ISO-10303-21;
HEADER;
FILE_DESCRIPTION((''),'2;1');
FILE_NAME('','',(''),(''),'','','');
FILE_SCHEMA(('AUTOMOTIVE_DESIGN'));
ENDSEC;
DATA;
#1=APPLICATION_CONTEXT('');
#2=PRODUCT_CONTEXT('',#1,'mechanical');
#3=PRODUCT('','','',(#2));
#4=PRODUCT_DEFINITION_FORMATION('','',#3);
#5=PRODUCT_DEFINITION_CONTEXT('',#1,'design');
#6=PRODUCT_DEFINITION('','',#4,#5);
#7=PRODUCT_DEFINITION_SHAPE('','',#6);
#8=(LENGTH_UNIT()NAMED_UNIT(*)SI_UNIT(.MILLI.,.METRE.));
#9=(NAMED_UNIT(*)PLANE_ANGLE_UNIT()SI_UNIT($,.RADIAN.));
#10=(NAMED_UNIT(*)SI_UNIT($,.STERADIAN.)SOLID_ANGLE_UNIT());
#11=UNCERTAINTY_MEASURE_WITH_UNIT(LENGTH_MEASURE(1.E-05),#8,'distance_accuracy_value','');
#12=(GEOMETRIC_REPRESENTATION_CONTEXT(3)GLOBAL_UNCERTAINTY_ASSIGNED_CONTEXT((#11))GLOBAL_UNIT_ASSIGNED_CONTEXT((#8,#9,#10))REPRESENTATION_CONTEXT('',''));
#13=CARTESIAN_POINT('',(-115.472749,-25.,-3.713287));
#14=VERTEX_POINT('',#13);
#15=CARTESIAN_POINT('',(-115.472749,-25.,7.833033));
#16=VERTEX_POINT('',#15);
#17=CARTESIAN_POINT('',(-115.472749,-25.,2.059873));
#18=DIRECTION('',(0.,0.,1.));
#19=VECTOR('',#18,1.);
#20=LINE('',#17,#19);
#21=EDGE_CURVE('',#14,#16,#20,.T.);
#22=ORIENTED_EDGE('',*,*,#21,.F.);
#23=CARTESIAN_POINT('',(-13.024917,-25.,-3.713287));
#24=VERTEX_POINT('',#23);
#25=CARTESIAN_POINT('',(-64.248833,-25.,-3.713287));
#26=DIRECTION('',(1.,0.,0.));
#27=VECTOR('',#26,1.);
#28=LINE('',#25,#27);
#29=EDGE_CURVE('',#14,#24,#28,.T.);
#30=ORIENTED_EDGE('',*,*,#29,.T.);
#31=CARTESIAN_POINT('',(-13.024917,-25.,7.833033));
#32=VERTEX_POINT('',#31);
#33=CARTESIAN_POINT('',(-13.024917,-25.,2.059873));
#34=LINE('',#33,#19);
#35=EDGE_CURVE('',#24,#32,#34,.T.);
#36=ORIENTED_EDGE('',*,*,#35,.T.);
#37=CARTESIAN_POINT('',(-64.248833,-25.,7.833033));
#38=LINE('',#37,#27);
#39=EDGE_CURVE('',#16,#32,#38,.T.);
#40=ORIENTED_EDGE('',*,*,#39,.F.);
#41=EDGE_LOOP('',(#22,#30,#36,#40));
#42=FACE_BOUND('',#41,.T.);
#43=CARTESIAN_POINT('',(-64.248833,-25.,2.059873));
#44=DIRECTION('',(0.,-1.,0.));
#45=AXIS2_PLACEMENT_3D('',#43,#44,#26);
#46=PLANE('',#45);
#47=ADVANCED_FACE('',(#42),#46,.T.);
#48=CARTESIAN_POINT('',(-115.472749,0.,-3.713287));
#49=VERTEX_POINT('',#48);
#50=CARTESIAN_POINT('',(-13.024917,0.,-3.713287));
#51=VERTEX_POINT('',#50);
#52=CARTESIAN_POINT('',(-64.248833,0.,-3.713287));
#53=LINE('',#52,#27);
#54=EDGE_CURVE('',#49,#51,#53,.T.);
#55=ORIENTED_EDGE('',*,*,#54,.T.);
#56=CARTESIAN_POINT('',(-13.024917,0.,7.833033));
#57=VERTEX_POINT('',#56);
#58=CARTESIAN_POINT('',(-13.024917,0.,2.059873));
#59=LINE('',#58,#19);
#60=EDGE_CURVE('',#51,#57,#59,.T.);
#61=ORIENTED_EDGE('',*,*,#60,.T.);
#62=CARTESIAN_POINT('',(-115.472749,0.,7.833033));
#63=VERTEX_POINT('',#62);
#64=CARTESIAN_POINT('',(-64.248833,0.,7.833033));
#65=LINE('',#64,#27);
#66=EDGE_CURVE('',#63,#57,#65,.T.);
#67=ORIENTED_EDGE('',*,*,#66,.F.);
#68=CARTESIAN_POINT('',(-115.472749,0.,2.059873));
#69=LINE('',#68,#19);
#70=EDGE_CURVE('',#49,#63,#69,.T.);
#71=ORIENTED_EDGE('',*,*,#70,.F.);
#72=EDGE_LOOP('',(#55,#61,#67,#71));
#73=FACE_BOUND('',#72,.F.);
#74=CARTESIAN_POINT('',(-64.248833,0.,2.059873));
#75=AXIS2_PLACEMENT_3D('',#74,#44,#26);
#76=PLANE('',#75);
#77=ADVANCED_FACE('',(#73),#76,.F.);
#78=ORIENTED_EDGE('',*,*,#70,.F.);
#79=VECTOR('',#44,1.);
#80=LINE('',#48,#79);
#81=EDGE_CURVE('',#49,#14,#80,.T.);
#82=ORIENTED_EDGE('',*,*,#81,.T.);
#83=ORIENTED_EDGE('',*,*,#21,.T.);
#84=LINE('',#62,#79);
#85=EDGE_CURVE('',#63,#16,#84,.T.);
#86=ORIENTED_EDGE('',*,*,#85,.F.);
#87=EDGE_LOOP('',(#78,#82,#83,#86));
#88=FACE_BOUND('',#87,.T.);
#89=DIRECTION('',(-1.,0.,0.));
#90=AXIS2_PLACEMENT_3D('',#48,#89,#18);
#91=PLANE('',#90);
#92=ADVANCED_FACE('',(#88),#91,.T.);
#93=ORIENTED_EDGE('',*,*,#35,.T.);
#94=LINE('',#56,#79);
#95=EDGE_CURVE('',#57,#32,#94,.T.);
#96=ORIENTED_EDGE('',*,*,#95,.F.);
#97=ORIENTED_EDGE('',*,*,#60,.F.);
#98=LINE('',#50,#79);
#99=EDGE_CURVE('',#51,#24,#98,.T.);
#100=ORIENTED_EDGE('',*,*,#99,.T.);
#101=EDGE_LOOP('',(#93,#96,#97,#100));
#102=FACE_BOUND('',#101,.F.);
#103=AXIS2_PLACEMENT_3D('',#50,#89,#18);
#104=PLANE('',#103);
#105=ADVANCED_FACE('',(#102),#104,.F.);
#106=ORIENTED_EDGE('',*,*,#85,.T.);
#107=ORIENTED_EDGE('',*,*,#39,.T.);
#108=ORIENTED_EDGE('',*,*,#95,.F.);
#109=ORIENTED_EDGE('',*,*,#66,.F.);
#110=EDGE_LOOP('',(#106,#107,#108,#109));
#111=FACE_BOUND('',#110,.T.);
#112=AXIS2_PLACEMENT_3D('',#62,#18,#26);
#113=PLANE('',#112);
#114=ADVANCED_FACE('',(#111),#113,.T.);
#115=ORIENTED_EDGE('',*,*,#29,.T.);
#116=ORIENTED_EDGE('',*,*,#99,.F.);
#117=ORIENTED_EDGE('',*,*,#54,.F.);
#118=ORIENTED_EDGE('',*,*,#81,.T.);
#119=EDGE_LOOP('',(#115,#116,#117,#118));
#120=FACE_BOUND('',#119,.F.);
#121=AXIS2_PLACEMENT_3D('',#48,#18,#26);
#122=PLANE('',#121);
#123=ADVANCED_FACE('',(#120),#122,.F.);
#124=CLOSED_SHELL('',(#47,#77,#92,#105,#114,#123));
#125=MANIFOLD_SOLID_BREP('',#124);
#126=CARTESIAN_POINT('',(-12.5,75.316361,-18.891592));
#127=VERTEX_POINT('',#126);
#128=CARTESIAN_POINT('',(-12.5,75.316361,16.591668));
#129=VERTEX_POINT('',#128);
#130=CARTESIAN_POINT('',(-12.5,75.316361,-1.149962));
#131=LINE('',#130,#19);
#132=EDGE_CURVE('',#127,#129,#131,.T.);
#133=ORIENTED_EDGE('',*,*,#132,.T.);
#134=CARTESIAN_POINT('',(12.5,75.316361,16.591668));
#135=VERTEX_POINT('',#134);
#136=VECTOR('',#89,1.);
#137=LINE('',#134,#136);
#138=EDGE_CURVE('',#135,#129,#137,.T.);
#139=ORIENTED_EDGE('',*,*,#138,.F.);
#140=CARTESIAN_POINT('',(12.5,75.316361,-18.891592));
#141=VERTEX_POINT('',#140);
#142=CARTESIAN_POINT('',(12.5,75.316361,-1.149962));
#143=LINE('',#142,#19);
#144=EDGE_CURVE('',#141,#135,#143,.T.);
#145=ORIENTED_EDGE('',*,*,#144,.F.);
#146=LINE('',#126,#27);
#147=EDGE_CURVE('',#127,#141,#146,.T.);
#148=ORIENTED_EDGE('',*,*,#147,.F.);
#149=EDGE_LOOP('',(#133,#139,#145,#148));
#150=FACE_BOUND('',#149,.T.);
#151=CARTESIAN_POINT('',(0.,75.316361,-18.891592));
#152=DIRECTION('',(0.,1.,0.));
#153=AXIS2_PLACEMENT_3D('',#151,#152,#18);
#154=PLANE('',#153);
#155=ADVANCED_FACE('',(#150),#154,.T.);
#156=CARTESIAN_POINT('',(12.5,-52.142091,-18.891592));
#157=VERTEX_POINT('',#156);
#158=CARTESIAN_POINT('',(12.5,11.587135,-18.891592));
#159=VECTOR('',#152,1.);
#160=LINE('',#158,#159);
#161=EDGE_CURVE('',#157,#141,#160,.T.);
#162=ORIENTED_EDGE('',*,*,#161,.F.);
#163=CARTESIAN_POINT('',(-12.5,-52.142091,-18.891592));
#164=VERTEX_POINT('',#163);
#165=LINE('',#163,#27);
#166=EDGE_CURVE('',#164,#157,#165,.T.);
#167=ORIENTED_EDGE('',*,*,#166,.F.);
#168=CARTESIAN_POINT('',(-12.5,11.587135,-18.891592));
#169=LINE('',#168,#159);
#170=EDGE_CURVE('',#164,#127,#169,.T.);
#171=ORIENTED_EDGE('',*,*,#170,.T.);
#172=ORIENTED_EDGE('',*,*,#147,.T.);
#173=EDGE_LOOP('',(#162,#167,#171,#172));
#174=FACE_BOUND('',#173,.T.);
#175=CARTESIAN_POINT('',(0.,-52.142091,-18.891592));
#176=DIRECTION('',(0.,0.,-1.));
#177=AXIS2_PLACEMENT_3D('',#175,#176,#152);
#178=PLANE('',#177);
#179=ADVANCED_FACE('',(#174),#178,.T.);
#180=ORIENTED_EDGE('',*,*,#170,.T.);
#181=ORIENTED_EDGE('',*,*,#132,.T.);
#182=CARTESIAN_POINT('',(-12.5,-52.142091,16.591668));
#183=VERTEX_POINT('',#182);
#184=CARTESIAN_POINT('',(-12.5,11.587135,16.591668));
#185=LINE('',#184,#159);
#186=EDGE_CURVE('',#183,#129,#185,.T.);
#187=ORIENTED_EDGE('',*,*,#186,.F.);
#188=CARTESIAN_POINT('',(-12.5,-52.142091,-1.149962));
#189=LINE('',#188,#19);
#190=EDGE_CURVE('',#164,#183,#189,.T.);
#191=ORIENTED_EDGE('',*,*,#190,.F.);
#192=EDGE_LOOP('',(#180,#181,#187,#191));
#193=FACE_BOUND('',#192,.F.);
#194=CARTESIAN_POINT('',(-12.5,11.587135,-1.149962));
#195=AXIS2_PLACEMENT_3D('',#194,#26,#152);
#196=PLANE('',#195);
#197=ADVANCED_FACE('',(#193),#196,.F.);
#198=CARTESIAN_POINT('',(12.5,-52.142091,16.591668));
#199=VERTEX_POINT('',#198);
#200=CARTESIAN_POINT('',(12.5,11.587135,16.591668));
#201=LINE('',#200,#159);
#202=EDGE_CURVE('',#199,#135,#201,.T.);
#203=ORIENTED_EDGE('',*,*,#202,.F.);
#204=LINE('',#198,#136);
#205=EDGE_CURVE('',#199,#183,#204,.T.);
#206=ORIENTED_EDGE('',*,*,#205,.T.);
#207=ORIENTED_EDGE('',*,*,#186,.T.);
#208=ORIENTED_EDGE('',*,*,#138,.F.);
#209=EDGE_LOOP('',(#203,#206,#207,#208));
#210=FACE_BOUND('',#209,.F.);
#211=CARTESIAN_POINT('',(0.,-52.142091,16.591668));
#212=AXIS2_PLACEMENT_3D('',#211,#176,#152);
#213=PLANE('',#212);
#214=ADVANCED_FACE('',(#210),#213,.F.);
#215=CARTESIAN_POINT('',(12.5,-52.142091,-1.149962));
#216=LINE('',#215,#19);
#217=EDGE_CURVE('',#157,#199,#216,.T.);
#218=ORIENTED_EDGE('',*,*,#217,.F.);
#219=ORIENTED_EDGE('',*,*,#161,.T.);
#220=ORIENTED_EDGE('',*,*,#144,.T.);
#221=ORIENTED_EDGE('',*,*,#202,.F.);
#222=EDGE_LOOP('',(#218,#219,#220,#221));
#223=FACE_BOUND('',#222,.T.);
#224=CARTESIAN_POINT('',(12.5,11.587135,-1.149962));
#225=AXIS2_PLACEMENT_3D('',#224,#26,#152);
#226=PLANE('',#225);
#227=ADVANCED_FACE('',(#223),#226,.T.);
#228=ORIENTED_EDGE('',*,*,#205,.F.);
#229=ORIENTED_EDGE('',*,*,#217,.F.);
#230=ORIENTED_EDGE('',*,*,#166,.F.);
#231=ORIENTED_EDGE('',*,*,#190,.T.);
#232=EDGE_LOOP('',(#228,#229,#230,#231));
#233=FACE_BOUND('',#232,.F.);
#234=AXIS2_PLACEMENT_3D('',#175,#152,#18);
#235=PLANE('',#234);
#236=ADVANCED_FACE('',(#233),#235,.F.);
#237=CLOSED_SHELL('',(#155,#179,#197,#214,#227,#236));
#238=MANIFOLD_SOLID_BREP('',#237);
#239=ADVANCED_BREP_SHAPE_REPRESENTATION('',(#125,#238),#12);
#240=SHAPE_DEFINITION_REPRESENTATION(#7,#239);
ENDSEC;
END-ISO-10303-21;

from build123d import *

# Parameters (mm, degrees)
F0_W     = 127.458453
F0_H     = 35.48326
F1_DEPTH = 12.5
F2_W     = 102.447832
F2_H     = 11.54632
F3_DEPTH = 25


with BuildPart() as f1:
    # F0 (on Right) → F1 (new body, symmetric)
    with BuildSketch(Plane.YZ):
        with Locations((11.587135, -1.149962)):
            Rectangle(F0_W, F0_H)
    extrude(amount=F1_DEPTH, both=True)


with BuildPart() as f3:
    # F2 (on Front) → F3 (new body)
    with BuildSketch(Plane.XZ):
        with Locations((-64.248833, 2.059873)):
            Rectangle(F2_W, F2_H)
    extrude(amount=F3_DEPTH)


solid = Compound([f1.part, f3.part])
